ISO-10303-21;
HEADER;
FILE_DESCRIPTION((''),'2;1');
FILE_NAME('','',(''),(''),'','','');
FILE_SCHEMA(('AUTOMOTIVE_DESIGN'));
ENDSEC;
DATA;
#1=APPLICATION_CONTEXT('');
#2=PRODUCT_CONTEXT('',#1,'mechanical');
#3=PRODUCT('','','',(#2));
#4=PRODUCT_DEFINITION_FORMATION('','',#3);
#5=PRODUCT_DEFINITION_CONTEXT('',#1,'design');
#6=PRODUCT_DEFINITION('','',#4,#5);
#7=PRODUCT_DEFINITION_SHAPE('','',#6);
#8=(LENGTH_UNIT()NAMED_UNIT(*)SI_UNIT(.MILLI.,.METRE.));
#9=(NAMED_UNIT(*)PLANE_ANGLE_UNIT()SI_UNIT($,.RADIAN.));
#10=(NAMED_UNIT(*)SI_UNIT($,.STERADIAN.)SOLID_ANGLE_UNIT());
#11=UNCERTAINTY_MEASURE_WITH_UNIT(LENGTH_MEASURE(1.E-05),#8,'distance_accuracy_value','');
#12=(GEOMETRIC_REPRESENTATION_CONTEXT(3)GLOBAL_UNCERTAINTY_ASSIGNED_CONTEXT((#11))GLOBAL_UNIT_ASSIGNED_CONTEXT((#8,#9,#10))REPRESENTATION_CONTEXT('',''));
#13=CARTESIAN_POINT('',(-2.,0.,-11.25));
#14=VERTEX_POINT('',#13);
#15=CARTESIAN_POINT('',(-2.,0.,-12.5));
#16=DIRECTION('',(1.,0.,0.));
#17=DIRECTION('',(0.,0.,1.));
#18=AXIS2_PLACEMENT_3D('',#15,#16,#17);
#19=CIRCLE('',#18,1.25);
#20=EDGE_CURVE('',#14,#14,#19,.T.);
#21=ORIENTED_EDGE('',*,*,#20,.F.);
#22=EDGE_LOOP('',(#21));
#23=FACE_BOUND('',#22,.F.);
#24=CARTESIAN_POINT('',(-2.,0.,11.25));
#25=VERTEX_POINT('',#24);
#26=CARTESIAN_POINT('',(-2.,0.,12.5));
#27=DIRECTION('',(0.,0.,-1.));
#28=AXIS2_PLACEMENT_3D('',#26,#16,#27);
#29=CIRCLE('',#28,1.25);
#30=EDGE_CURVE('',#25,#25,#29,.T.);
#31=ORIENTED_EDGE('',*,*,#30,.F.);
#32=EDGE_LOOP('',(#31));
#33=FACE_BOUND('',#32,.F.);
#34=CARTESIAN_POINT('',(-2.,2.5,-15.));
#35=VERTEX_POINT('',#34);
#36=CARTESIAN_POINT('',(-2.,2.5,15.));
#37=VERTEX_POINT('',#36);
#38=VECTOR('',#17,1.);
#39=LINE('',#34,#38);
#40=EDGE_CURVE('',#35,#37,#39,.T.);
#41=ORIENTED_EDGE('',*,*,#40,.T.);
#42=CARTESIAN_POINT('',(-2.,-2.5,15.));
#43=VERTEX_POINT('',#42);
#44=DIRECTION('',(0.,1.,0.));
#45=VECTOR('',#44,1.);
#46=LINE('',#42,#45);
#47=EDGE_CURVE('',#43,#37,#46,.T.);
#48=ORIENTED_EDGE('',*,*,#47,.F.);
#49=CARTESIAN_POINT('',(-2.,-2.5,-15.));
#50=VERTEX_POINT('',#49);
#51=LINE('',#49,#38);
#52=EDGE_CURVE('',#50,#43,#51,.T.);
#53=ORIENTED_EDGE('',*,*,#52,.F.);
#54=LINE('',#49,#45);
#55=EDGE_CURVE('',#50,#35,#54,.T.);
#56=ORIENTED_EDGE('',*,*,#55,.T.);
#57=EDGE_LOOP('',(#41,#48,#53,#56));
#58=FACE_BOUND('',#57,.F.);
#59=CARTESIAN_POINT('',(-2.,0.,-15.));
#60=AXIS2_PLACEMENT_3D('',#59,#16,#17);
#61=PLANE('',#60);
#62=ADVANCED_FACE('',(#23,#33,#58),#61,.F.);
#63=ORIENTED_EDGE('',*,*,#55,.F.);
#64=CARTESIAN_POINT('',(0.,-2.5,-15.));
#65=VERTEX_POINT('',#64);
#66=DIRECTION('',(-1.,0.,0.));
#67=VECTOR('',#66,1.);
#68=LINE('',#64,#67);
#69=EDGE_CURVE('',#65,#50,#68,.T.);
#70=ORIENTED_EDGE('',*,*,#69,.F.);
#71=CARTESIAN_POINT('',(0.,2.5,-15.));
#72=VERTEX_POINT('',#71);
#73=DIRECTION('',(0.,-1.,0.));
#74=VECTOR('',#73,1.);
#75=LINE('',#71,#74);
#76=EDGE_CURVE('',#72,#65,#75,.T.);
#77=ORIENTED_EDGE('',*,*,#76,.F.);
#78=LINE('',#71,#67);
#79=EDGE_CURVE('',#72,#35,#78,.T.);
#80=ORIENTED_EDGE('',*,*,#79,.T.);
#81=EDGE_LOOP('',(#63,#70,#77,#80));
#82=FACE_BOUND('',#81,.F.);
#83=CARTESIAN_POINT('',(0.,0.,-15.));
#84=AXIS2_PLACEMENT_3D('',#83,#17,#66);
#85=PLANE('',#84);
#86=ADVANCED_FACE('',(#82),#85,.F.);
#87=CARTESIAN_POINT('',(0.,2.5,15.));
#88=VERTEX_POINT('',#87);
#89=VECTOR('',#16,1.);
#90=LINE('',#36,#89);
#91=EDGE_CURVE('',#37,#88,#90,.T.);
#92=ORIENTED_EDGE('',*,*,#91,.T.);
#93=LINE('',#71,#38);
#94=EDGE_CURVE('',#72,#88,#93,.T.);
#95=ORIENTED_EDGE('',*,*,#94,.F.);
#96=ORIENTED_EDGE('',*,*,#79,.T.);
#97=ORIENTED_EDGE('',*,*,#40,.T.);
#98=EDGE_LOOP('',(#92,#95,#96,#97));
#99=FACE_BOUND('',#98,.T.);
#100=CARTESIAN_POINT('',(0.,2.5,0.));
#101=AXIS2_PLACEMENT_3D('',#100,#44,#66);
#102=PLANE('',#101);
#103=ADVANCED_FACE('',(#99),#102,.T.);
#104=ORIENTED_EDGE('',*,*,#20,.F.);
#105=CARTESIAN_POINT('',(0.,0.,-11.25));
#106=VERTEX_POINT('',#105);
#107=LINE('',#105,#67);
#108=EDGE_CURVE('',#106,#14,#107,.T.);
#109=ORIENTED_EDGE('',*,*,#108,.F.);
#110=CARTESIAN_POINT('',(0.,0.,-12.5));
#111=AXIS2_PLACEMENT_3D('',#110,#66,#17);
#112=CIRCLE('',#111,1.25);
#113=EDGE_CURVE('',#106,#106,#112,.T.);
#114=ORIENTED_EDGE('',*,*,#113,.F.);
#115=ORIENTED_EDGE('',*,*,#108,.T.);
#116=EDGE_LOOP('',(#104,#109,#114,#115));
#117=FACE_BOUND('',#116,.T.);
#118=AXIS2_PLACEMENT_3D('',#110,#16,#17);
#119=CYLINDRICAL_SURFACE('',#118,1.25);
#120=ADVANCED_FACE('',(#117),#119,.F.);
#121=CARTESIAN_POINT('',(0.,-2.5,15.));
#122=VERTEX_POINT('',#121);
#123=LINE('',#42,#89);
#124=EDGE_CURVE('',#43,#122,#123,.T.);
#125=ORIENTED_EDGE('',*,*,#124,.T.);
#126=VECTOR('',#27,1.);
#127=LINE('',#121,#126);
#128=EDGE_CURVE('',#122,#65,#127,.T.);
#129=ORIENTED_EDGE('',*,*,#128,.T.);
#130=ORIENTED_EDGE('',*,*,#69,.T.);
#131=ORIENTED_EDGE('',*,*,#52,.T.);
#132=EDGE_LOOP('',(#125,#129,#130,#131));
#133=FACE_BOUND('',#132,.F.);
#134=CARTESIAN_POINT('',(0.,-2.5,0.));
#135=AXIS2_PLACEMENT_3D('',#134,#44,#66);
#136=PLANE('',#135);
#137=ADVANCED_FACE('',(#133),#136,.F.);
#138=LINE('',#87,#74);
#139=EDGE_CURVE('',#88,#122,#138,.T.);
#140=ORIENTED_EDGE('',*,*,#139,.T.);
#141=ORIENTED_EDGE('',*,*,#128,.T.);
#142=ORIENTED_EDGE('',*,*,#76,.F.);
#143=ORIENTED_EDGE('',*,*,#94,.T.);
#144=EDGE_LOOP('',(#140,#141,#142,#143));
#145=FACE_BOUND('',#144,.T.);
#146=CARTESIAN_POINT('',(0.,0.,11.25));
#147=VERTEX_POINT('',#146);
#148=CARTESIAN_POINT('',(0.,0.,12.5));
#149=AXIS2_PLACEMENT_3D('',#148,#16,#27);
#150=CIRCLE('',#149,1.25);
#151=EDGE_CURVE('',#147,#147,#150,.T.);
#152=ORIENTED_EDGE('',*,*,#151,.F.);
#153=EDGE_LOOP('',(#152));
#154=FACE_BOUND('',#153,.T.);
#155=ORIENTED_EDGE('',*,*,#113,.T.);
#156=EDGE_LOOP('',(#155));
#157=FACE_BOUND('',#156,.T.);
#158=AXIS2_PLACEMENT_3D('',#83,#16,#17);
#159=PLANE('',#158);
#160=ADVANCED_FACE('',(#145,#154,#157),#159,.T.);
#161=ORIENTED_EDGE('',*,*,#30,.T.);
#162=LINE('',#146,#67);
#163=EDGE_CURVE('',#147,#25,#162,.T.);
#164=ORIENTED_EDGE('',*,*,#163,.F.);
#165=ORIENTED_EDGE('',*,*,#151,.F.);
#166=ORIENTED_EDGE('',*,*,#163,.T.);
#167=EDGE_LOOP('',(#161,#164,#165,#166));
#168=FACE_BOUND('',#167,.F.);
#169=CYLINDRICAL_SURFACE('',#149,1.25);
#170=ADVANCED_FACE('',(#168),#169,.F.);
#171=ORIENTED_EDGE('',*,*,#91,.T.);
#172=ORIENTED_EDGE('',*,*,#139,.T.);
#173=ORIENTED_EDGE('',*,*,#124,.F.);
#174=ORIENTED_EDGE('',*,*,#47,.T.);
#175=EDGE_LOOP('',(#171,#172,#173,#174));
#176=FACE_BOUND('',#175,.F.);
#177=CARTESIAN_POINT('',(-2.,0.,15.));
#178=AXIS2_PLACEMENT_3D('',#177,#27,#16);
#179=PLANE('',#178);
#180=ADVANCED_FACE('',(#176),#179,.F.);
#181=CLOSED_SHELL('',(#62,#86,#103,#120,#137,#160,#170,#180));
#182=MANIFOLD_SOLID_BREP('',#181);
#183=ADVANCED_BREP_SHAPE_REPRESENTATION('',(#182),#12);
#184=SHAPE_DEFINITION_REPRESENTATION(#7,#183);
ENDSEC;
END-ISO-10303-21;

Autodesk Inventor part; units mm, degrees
ref_plane "YZ Plane" through (0, 0, 0) normal (1, 0, 0) x (0, 1, 0)
ref_plane "XZ Plane" through (0, 0, 0) normal (0, 1, 0) x (-1, 0, 0)
sketch "スケッチ1" plane through (0, 0, 0) normal (0, 1, 0) x (-1, 0, 0)
  line L0 (2, -15) -> (2, 15)
  line L1 (-2, -15) -> (2, 15) construction
  line L2 (2, -15) -> (-2, 15) construction
  line L3 (0, -15) -> (0, 15)
  line L4 (0, -15) -> (2, -15)
  line L5 (2, 15) -> (0, 15)
  point P0 (0, 0)
  dimension "d1" = 30
  dimension "d33" = 2
extrude "押し出し1" add sketch "スケッチ1" along normal mid plane 5
sketch "スケッチ2" plane through (0, 2.5, 0) normal (0, 1, 0) x (1, 0, 0)
  line L0 (-2, -15) -> (2, -15) projected
  line L1 (0, -15) -> (2, -15)
  line L2 (2, -15) -> (2, -5)
  line L3 (2, -5) -> (0, -5)
  line L4 (0, -5) -> (0, -15)
  point P0 (0, 0)
  dimension "d4" = 2
  dimension "d5" = 10
extrude "押し出し2" cut sketch "スケッチ2" against normal blind 5
sketch "スケッチ4" plane through (0, 2.5, 15) normal (1, 0, 0) x (0, 0, -1)
  circle A0 centre (2.5, -2.5) radius 1.25
  point P0 (15, -2.5)
  dimension "d12" = 2.5
extrude "押し出し4" cut sketch "スケッチ4" against normal blind 5
ref_plane "作業平面1" through (0, 2.5, -15) normal (-1, 0, 0) x (0, 0, 1)
sketch "スケッチ5" plane through (0, 2.5, -15) normal (-1, 0, 0) x (0, 0, 1)
  circle A0 centre (2.5, -2.5) radius 1.25
  point P0 (15, -2.5)
  dimension "d15" = 2.5
extrude "押し出し5" cut sketch "スケッチ5" along normal mid plane 5
properties part number "promo_arm2"
